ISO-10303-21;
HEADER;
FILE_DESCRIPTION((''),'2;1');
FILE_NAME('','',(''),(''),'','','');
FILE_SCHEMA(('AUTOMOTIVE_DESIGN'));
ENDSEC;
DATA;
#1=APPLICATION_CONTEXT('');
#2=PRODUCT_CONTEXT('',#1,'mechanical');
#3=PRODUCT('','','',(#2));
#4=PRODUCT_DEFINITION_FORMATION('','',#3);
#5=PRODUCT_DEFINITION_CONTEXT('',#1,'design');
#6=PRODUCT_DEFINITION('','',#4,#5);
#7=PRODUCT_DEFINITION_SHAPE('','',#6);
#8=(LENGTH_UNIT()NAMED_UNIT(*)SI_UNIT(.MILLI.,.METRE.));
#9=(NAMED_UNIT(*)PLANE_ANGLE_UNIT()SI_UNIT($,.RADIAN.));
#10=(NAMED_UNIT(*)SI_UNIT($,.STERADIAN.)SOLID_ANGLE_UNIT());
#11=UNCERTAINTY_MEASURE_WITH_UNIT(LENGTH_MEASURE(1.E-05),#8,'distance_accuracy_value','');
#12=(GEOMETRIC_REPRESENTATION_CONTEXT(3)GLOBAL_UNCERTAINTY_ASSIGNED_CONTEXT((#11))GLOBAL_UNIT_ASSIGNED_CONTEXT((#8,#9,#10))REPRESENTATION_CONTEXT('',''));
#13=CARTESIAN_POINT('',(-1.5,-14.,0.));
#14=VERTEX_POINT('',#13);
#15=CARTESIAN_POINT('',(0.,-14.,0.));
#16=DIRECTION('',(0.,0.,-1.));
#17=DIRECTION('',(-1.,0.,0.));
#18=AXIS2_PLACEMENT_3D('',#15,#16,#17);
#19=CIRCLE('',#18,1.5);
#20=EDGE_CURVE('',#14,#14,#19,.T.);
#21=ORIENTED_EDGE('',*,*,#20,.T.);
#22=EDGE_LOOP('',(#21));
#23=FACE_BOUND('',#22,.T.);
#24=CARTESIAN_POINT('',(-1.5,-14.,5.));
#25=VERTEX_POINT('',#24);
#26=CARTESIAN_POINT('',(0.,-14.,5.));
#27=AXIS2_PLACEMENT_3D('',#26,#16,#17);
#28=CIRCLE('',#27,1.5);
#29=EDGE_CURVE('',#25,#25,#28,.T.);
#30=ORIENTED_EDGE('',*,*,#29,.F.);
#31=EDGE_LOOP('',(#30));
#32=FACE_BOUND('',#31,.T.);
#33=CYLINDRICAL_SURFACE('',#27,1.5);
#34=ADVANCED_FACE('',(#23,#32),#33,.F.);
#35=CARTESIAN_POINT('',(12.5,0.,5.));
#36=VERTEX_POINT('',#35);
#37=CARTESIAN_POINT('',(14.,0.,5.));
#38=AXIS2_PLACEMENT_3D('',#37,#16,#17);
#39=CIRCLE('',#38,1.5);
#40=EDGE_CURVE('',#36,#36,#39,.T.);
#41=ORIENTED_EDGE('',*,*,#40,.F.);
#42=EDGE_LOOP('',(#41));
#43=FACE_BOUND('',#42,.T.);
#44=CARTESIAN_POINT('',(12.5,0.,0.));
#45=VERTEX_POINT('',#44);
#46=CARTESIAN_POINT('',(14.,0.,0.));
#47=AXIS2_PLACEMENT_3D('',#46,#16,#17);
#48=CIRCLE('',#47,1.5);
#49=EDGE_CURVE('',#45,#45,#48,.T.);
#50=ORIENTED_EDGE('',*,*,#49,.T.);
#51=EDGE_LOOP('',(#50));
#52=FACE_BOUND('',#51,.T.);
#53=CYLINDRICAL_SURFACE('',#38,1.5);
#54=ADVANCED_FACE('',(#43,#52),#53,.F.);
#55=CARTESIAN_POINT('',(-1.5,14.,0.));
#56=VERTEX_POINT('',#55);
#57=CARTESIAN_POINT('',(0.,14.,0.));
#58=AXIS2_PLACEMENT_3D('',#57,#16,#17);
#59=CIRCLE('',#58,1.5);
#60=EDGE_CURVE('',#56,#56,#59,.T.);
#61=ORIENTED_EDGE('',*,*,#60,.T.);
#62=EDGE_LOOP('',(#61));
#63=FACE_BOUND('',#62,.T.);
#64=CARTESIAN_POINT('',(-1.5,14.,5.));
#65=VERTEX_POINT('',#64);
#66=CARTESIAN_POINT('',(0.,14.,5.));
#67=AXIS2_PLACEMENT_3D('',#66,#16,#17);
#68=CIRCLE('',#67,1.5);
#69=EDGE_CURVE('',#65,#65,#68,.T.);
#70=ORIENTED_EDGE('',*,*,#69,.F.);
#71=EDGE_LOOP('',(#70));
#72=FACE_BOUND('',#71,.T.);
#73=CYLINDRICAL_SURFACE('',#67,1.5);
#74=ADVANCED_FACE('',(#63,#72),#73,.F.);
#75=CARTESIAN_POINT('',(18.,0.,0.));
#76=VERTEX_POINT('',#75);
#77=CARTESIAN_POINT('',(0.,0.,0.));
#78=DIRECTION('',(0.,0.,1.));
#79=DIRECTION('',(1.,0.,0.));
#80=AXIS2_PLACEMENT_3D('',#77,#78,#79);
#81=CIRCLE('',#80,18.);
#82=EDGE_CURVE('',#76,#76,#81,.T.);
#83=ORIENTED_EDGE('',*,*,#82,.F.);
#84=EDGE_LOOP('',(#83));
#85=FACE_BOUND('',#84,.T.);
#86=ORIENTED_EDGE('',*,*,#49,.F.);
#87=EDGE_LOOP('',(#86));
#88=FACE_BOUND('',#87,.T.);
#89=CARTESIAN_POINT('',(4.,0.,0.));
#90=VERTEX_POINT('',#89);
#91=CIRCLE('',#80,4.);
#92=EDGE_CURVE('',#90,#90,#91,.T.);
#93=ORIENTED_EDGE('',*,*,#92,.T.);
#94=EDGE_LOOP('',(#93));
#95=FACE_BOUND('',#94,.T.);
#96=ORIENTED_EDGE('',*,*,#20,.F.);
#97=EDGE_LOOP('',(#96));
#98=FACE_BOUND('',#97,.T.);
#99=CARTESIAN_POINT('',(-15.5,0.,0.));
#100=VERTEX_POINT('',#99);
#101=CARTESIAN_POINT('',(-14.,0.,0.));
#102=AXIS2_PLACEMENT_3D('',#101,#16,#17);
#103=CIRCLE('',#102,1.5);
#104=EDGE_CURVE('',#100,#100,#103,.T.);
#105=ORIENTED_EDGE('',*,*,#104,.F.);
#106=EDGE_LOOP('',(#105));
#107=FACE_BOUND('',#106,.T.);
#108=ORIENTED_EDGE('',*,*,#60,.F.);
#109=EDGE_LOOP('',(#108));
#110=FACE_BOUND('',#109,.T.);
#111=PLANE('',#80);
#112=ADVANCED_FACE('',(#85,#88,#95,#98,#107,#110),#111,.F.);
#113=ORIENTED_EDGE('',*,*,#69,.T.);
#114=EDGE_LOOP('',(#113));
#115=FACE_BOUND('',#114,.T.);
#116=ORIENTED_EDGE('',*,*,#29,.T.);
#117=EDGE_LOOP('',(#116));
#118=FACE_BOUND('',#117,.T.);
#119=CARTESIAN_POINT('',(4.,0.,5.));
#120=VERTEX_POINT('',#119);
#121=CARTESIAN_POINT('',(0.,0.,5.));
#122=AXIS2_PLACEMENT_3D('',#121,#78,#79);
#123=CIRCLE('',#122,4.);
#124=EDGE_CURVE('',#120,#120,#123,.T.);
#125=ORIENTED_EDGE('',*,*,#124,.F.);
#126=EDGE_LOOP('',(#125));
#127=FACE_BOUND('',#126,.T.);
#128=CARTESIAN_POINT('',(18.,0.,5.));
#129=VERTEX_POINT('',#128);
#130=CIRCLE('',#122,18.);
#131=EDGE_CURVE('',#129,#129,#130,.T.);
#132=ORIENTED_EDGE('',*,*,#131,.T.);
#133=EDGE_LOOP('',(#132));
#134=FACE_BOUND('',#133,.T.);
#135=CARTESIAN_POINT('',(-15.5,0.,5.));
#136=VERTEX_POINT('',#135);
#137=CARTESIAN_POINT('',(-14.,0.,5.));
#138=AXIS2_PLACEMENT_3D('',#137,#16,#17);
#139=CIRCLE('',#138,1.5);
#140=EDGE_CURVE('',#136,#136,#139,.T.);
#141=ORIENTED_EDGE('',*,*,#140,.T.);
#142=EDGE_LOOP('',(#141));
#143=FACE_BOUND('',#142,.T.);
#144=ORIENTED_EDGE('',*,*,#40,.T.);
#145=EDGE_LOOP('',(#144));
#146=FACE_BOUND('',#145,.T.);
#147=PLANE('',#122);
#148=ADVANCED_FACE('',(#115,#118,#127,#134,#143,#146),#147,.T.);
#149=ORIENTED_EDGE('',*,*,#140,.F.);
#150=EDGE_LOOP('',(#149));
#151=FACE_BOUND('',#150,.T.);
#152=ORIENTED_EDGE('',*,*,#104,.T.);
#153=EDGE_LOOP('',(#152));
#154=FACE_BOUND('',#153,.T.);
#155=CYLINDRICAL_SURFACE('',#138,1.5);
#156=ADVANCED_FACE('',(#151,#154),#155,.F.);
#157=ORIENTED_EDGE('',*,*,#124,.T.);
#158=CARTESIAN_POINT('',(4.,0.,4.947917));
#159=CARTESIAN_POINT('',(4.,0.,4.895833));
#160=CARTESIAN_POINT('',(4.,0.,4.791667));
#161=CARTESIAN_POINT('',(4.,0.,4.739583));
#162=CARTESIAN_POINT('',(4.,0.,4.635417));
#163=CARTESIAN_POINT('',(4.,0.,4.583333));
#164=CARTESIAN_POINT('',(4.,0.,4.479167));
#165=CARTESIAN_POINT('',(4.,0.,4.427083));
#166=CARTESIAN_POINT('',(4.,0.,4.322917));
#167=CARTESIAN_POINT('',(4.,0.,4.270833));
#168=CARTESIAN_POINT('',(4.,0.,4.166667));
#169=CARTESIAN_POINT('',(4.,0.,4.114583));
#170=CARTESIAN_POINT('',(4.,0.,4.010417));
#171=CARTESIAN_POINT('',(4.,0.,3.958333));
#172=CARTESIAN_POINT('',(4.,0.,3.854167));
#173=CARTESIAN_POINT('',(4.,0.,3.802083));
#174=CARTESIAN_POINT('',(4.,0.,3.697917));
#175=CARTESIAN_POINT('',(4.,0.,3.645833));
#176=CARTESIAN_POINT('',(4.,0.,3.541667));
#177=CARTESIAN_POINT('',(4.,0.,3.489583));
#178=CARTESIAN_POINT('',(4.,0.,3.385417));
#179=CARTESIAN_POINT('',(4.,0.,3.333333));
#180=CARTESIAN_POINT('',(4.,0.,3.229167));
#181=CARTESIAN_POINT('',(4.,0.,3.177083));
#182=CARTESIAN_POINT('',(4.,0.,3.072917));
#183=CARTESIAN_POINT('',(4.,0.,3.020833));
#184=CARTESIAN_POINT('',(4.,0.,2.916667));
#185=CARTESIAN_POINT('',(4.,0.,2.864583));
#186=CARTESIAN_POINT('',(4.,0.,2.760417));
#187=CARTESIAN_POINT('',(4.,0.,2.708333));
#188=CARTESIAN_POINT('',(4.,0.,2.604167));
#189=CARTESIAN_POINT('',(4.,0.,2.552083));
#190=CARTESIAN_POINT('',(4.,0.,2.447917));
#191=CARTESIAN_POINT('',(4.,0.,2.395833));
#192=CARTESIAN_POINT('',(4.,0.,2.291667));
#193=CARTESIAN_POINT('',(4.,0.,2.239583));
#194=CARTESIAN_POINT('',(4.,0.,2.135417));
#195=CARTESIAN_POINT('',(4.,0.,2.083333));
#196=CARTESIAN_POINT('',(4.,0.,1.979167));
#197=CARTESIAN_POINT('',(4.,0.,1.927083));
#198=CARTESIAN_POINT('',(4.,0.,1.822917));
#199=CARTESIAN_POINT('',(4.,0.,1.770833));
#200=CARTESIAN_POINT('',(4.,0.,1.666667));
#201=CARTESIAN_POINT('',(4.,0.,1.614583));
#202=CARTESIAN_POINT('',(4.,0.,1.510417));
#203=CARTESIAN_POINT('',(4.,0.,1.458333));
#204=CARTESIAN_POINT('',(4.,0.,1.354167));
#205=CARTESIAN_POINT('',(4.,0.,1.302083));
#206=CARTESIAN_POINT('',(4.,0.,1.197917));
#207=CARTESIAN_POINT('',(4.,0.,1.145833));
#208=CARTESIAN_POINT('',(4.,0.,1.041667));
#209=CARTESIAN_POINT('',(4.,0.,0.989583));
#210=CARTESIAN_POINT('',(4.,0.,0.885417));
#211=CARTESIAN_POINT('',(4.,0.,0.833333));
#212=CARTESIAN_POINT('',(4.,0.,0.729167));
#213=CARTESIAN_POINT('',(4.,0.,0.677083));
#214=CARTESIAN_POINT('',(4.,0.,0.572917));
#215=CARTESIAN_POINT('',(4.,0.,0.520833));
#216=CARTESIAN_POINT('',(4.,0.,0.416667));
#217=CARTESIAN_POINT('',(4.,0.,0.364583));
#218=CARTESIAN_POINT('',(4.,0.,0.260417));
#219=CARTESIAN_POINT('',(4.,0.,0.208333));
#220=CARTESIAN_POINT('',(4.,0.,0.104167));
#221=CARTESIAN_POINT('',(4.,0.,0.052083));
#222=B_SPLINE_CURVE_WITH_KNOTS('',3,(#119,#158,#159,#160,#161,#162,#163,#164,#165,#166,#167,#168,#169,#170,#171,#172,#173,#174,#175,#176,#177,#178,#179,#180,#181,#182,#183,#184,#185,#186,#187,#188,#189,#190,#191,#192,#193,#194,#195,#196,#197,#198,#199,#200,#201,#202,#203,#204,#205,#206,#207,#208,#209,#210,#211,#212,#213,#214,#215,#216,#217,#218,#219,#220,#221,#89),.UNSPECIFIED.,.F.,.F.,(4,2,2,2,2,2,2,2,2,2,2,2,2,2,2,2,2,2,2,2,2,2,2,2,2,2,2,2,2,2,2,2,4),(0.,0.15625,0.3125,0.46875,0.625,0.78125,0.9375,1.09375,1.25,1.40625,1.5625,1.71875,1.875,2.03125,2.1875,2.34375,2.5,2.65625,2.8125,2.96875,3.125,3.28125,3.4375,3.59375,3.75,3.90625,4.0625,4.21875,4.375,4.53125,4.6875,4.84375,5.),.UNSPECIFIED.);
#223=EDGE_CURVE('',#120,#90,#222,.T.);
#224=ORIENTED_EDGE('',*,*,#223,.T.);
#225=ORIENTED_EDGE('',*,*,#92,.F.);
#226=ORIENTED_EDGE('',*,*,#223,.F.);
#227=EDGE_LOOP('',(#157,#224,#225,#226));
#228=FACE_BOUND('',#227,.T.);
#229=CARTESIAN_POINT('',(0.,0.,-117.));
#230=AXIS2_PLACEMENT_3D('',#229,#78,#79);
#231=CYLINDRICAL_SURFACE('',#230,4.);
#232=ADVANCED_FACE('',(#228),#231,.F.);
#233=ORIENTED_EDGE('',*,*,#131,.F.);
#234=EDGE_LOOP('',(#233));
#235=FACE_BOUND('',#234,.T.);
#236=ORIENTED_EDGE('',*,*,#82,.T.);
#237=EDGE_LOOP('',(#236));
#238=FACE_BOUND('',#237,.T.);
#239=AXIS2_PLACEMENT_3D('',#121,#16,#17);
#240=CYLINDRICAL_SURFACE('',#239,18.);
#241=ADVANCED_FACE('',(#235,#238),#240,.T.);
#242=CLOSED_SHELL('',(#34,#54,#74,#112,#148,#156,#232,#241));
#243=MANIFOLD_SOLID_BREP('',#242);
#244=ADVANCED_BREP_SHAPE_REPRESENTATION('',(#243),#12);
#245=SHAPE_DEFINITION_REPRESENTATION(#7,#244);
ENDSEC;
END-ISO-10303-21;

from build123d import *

# Parameters (mm, degrees)
SKETCH2_R           = 18
BOSS_EXTRUDE1_DEPTH = 5
SKETCH3_R           = 4
CUT_EXTRUDE1_DEPTH  = 122
SKETCH4_R           = 1.5
CUT_EXTRUDE2_DEPTH  = 5


with BuildPart() as part:
    # Sketch2 → Boss-Extrude1 (new body)
    with BuildSketch(Plane.XY):
        Circle(SKETCH2_R)
    extrude(amount=BOSS_EXTRUDE1_DEPTH)

    # Sketch3 → Cut-Extrude1 (cut)
    with BuildSketch(Plane.XY.offset(5)):
        Circle(SKETCH3_R)
    extrude(amount=-CUT_EXTRUDE1_DEPTH, mode=Mode.SUBTRACT)

    # Sketch4 → Cut-Extrude2 (cut)
    with BuildSketch(Plane(origin=(0, 0, 0), x_dir=(-1, 0, 0), z_dir=(0, 0, -1))):
        with Locations((0, 14)):
            Circle(SKETCH4_R)
        with Locations((14, 0)):
            Circle(SKETCH4_R)
        with Locations((0, -14)):
            Circle(SKETCH4_R)
        with Locations((-14, 0)):
            Circle(SKETCH4_R)
    extrude(amount=-CUT_EXTRUDE2_DEPTH, mode=Mode.SUBTRACT)


solid = part.part
